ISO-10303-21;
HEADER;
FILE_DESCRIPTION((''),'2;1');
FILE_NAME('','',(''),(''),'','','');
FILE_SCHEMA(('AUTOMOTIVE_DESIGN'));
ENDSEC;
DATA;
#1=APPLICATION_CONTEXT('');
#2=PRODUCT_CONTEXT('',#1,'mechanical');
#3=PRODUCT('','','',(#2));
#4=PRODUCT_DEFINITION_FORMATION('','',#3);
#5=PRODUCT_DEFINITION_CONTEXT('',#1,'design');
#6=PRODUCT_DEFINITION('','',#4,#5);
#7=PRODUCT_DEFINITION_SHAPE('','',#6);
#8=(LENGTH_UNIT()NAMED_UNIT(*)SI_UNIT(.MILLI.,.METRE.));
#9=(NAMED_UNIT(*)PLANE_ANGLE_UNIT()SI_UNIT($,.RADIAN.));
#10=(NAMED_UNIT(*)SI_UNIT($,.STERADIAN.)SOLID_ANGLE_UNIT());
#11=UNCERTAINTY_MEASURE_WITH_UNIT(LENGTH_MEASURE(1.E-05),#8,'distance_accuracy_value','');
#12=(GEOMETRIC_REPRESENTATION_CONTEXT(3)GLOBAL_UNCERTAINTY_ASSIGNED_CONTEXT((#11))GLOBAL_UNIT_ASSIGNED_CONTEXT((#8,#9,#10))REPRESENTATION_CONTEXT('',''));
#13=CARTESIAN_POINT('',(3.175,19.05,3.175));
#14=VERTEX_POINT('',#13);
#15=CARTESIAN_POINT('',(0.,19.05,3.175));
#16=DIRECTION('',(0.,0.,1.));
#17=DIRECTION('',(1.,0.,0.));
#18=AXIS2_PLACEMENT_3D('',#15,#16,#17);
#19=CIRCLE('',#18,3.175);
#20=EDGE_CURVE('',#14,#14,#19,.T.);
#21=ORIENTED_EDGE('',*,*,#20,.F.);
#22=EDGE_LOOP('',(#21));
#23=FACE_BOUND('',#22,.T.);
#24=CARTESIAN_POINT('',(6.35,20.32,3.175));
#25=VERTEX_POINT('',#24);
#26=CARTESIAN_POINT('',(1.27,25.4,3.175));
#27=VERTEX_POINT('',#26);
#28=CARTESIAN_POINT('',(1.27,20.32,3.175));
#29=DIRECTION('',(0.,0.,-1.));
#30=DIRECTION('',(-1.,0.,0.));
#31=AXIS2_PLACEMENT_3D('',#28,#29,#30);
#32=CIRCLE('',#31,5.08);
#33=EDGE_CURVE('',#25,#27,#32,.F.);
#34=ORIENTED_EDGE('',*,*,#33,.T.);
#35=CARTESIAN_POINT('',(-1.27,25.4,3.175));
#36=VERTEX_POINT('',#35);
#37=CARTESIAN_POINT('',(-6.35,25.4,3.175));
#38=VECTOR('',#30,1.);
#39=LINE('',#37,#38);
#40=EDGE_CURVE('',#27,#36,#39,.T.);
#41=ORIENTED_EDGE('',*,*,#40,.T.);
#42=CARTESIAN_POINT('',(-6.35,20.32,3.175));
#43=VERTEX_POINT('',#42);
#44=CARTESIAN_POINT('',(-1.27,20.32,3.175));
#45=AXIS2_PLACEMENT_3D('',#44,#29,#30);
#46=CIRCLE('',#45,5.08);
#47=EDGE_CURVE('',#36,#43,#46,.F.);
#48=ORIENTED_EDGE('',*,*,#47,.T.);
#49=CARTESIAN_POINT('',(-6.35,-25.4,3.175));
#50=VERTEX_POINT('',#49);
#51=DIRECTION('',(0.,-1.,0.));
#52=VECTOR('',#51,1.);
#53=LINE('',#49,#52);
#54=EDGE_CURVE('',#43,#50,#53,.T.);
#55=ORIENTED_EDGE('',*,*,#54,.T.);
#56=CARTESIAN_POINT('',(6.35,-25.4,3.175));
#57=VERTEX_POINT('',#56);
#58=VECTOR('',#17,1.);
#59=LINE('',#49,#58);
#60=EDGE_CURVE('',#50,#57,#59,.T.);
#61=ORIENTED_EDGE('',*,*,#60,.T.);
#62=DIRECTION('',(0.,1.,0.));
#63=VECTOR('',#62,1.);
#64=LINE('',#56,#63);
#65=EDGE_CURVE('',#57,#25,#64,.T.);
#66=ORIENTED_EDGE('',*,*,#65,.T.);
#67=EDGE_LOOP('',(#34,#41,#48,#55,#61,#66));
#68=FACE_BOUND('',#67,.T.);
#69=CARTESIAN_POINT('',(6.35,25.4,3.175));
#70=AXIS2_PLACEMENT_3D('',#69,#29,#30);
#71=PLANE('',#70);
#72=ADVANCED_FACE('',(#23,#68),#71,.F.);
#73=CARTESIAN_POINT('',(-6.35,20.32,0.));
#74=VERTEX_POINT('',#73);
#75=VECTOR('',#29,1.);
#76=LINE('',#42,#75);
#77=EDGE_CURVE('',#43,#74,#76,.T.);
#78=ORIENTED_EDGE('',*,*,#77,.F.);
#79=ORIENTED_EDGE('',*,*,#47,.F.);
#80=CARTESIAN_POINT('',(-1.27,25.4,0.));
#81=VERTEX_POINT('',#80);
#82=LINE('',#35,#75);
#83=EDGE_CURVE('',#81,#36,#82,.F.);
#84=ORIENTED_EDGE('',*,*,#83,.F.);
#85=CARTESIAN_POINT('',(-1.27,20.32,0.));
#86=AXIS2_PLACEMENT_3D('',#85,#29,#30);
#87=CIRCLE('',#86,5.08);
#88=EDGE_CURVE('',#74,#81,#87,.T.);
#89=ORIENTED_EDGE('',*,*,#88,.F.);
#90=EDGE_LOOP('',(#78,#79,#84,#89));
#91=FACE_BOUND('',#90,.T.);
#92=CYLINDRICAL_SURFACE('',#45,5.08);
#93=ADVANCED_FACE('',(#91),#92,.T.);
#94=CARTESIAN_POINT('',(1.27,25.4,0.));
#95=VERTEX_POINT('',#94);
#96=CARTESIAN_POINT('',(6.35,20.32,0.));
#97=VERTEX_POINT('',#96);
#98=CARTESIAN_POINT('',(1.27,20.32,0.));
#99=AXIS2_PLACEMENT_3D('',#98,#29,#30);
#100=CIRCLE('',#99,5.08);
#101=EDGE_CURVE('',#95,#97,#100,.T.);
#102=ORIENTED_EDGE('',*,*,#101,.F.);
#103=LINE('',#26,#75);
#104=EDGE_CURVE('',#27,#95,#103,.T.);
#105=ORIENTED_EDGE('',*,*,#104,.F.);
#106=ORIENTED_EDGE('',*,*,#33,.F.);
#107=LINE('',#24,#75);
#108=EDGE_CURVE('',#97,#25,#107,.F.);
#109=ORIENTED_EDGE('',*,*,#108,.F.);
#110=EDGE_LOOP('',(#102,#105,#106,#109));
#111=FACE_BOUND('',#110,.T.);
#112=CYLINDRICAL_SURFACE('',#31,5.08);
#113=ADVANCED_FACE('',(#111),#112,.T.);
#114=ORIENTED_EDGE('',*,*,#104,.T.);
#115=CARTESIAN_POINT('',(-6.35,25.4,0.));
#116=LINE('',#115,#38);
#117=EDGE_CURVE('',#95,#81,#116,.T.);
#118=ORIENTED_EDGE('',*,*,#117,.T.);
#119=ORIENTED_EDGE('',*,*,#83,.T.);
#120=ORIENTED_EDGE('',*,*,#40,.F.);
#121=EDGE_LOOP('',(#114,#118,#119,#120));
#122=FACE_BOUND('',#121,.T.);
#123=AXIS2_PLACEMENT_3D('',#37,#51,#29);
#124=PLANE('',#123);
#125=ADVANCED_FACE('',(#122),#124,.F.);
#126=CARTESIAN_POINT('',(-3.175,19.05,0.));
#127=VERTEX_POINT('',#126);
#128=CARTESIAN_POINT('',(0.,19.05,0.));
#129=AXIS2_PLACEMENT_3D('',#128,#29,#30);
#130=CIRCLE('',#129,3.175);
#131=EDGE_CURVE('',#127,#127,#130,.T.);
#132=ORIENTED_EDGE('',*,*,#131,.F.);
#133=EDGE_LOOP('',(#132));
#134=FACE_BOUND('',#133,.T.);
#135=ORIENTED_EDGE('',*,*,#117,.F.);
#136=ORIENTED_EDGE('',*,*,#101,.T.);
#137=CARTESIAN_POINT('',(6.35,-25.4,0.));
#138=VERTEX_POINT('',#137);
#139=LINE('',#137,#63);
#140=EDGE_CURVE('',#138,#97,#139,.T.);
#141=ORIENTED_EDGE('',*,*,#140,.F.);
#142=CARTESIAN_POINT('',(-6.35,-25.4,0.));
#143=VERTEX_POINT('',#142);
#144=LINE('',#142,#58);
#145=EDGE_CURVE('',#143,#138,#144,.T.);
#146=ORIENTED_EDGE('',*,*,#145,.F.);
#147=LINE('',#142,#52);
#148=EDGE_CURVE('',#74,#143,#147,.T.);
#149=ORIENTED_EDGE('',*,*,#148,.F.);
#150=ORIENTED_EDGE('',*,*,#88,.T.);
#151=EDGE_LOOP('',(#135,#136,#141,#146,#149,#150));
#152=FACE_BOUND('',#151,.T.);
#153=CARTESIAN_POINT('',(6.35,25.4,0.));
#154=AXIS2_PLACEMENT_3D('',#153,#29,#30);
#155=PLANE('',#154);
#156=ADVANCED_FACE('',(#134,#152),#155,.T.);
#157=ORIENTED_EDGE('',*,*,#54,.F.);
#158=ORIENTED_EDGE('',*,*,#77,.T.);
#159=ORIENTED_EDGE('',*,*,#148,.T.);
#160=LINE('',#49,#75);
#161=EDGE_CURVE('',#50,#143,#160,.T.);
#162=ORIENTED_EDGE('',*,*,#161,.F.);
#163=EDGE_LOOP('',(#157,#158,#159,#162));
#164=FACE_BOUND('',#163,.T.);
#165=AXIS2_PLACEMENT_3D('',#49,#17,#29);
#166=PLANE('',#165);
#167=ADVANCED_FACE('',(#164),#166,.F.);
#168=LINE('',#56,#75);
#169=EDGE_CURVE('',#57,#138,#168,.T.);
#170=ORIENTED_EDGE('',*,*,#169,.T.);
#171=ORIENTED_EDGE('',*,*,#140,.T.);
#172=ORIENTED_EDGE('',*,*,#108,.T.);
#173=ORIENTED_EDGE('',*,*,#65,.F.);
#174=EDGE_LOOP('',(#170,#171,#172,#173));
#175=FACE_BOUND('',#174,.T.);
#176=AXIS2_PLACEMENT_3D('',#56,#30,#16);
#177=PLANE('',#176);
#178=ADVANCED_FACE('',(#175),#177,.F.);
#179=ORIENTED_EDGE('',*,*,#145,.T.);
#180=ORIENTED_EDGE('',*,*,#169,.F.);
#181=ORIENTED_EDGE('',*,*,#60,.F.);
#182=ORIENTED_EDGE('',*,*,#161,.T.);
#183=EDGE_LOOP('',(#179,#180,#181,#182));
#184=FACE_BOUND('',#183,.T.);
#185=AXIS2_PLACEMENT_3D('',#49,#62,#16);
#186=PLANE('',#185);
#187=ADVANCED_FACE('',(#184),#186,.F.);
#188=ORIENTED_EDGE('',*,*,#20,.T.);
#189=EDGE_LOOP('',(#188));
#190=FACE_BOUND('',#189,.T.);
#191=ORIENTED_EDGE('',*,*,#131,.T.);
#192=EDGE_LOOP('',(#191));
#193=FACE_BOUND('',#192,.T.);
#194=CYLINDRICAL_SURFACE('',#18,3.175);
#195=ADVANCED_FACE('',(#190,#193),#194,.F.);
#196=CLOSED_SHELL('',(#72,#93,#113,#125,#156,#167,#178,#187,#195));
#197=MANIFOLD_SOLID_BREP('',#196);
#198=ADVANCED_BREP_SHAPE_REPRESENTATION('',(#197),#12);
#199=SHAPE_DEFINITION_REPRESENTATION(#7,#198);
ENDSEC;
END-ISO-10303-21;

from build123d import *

# Parameters (mm, degrees)
SKETCH1_W                       = 12.7
SKETCH1_H                       = 50.8
EXTRUDE1_DEPTH                  = 3.175
F_1_4_0_25_DIAMETER_HOLE1_D     = 6.35
F_1_4_0_25_DIAMETER_HOLE1_DEPTH = 6.35
F_1_4_0_25_DIAMETER_HOLE1_TIP   = 1.907732465
FILLET1_R                       = 5.08


with BuildPart() as part:
    # Sketch1 → Extrude1 (new body)
    with BuildSketch(Plane.XY):
        Rectangle(SKETCH1_W, SKETCH1_H)
    extrude(amount=EXTRUDE1_DEPTH)

    # 1/4 (0.25) Diameter Hole1
    with Locations(Plane(origin=(0, 19.05, 3.175), x_dir=(1, 0, 0), z_dir=(0, 0, 1))):
        with Locations((0, 0)):
            Hole(F_1_4_0_25_DIAMETER_HOLE1_D / 2, depth=F_1_4_0_25_DIAMETER_HOLE1_DEPTH)
            with Locations((0, 0, -(F_1_4_0_25_DIAMETER_HOLE1_DEPTH + F_1_4_0_25_DIAMETER_HOLE1_TIP / 2))):  # 118° drill point
                Cone(0, F_1_4_0_25_DIAMETER_HOLE1_D / 2, F_1_4_0_25_DIAMETER_HOLE1_TIP, mode=Mode.SUBTRACT)

    # Fillet1
    fillet1_edges = [part.edges().sort_by_distance(p)[0] for p in [
        (-6.35, 25.4, 1.5875),
        (6.35, 25.4, 1.5875),
    ]]
    fillet(fillet1_edges, radius=FILLET1_R)


solid = part.part
